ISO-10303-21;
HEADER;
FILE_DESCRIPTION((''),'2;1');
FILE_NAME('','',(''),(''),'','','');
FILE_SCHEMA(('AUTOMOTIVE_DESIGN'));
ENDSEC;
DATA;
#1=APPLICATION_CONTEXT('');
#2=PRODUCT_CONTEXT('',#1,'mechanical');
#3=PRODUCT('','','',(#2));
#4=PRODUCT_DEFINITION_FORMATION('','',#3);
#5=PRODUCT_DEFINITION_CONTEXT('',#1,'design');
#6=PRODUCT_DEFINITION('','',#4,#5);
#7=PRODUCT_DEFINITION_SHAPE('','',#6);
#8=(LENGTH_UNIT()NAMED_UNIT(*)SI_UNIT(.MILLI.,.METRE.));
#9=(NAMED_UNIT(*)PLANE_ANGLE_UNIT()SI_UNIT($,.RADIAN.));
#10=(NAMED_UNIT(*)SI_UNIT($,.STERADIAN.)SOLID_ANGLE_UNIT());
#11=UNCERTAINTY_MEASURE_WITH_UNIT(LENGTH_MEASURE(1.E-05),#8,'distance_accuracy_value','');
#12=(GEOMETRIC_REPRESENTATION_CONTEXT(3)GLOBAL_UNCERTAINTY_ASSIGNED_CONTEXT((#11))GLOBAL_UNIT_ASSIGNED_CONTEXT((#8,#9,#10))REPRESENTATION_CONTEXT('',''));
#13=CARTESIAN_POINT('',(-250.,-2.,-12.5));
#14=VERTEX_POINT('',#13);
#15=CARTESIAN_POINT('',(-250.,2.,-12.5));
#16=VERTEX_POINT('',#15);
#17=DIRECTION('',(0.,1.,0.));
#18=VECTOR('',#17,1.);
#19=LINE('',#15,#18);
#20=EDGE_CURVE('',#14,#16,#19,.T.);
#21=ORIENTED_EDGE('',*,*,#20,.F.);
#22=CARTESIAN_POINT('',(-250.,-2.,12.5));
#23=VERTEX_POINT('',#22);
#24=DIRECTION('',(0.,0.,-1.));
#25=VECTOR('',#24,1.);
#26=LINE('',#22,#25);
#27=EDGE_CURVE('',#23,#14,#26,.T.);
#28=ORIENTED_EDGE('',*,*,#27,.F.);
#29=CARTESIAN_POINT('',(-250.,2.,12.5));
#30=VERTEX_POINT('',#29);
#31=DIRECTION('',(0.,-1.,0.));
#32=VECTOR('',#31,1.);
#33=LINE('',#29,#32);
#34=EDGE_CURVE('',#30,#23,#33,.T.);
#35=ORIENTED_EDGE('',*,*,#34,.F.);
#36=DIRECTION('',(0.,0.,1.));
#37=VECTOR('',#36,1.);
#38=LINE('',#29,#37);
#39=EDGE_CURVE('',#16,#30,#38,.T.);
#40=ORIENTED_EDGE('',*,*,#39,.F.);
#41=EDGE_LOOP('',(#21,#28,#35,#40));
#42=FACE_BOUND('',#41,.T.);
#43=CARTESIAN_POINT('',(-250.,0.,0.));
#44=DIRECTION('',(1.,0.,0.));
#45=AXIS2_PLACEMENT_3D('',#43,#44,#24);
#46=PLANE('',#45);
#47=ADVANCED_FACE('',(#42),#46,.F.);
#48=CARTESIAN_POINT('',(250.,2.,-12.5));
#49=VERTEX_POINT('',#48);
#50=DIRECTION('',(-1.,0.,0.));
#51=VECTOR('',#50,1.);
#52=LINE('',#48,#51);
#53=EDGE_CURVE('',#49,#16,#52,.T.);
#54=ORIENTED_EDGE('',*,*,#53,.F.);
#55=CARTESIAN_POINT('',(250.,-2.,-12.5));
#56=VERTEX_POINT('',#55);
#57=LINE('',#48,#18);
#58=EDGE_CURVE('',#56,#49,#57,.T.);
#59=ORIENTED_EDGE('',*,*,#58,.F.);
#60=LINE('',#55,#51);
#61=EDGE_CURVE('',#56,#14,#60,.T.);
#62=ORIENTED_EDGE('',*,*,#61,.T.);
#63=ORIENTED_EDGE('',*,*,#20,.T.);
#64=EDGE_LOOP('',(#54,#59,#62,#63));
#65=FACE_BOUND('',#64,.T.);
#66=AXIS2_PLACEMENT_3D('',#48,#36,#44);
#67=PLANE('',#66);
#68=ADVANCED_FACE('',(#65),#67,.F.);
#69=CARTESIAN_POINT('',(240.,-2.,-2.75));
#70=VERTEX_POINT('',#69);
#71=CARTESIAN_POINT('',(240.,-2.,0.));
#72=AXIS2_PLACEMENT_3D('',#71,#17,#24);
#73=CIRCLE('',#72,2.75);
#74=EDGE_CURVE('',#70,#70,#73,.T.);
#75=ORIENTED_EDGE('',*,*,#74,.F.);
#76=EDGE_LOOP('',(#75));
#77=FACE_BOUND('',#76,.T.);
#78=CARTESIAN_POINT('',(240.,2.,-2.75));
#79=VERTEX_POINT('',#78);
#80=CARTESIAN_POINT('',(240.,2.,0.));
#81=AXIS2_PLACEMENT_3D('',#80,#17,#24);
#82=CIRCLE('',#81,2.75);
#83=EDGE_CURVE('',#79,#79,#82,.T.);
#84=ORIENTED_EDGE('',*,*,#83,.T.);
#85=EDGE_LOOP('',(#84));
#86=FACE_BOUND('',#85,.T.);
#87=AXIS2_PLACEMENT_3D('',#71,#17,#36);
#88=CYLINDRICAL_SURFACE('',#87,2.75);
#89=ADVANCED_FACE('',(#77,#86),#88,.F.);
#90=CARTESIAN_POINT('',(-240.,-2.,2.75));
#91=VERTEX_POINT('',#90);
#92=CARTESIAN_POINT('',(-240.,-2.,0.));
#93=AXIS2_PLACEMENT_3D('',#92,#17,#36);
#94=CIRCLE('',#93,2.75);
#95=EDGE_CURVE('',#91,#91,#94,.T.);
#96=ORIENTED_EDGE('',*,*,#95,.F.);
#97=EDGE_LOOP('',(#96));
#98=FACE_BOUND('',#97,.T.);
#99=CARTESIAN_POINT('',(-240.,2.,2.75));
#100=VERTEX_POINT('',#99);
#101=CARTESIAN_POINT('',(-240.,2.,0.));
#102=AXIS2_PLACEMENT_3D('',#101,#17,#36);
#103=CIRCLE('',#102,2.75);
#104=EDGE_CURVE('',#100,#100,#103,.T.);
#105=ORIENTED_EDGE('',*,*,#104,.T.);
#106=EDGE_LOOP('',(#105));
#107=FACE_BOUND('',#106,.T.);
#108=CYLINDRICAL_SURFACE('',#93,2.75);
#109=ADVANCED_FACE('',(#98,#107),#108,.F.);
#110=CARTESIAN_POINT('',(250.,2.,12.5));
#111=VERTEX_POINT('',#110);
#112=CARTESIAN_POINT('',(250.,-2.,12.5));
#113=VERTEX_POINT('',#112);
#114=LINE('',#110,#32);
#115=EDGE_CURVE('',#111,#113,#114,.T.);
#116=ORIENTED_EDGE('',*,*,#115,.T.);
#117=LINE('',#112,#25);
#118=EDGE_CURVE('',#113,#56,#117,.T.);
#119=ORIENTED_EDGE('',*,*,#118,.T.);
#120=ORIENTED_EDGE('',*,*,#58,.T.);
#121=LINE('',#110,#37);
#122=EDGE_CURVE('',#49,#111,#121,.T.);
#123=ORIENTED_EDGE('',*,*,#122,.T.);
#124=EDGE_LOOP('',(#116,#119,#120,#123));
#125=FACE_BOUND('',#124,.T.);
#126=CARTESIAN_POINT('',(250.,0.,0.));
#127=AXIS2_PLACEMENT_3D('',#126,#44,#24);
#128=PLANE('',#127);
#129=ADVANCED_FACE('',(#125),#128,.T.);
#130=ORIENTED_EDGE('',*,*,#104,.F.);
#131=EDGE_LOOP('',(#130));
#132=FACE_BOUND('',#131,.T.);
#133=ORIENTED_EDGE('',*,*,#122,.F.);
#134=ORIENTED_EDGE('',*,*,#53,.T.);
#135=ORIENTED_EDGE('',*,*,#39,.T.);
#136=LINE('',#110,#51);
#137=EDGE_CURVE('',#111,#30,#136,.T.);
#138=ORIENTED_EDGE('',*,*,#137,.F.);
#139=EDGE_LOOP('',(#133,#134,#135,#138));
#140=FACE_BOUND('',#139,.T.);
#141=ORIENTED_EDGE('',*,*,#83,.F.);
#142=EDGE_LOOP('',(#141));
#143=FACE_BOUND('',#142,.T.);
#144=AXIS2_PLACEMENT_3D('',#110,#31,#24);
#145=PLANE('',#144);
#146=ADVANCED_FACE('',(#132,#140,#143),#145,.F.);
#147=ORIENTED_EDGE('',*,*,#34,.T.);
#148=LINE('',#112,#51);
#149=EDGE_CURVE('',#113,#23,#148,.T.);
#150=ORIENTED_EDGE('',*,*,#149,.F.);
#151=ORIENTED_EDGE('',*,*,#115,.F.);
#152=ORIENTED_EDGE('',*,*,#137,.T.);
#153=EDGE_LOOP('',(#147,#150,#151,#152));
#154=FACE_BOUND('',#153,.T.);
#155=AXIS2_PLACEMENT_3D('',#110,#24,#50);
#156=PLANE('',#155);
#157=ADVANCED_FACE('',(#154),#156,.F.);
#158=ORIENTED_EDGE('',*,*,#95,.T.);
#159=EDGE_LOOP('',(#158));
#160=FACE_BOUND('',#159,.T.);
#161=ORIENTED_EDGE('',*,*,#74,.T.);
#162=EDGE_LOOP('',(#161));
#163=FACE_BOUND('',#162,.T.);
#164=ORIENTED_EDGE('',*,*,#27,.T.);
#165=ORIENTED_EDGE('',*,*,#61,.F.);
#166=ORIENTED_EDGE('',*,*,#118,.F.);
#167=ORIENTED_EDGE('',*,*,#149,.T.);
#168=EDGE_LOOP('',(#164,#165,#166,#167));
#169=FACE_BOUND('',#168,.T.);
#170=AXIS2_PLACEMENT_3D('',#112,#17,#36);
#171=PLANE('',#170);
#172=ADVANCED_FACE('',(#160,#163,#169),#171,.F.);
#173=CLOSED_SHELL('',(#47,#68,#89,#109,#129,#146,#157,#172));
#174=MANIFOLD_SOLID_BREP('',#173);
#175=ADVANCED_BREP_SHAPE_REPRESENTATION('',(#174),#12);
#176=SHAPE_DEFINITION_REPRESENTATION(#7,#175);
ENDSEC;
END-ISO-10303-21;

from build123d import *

# Parameters (mm, degrees)
SKETCH1_W           = 25
SKETCH1_H           = 4
BOSS_EXTRUDE1_DEPTH = 250
SKETCH2_R           = 2.75
CUT_EXTRUDE1_DEPTH  = 251.344262966


with BuildPart() as part:
    # Sketch1 → Boss-Extrude1 (new, symmetric)
    with BuildSketch(Plane(origin=(0, 0, 0), x_dir=(0, 0, -1), z_dir=(1, 0, 0))):
        Rectangle(SKETCH1_W, SKETCH1_H)
    extrude(amount=BOSS_EXTRUDE1_DEPTH, both=True)

    # Sketch2 → Cut-Extrude1 (cut, through all)
    with BuildSketch(Plane(origin=(0, 2, 0), x_dir=(1, 0, 0), z_dir=(0, 1, 0))):
        with Locations(Location((-240, 0, 0), (0, 0, 270))):
            Circle(SKETCH2_R)
        with Locations(Location((240, 0, 0), (0, 0, 90))):
            Circle(SKETCH2_R)
    extrude(amount=-CUT_EXTRUDE1_DEPTH, mode=Mode.SUBTRACT)


solid = part.part
